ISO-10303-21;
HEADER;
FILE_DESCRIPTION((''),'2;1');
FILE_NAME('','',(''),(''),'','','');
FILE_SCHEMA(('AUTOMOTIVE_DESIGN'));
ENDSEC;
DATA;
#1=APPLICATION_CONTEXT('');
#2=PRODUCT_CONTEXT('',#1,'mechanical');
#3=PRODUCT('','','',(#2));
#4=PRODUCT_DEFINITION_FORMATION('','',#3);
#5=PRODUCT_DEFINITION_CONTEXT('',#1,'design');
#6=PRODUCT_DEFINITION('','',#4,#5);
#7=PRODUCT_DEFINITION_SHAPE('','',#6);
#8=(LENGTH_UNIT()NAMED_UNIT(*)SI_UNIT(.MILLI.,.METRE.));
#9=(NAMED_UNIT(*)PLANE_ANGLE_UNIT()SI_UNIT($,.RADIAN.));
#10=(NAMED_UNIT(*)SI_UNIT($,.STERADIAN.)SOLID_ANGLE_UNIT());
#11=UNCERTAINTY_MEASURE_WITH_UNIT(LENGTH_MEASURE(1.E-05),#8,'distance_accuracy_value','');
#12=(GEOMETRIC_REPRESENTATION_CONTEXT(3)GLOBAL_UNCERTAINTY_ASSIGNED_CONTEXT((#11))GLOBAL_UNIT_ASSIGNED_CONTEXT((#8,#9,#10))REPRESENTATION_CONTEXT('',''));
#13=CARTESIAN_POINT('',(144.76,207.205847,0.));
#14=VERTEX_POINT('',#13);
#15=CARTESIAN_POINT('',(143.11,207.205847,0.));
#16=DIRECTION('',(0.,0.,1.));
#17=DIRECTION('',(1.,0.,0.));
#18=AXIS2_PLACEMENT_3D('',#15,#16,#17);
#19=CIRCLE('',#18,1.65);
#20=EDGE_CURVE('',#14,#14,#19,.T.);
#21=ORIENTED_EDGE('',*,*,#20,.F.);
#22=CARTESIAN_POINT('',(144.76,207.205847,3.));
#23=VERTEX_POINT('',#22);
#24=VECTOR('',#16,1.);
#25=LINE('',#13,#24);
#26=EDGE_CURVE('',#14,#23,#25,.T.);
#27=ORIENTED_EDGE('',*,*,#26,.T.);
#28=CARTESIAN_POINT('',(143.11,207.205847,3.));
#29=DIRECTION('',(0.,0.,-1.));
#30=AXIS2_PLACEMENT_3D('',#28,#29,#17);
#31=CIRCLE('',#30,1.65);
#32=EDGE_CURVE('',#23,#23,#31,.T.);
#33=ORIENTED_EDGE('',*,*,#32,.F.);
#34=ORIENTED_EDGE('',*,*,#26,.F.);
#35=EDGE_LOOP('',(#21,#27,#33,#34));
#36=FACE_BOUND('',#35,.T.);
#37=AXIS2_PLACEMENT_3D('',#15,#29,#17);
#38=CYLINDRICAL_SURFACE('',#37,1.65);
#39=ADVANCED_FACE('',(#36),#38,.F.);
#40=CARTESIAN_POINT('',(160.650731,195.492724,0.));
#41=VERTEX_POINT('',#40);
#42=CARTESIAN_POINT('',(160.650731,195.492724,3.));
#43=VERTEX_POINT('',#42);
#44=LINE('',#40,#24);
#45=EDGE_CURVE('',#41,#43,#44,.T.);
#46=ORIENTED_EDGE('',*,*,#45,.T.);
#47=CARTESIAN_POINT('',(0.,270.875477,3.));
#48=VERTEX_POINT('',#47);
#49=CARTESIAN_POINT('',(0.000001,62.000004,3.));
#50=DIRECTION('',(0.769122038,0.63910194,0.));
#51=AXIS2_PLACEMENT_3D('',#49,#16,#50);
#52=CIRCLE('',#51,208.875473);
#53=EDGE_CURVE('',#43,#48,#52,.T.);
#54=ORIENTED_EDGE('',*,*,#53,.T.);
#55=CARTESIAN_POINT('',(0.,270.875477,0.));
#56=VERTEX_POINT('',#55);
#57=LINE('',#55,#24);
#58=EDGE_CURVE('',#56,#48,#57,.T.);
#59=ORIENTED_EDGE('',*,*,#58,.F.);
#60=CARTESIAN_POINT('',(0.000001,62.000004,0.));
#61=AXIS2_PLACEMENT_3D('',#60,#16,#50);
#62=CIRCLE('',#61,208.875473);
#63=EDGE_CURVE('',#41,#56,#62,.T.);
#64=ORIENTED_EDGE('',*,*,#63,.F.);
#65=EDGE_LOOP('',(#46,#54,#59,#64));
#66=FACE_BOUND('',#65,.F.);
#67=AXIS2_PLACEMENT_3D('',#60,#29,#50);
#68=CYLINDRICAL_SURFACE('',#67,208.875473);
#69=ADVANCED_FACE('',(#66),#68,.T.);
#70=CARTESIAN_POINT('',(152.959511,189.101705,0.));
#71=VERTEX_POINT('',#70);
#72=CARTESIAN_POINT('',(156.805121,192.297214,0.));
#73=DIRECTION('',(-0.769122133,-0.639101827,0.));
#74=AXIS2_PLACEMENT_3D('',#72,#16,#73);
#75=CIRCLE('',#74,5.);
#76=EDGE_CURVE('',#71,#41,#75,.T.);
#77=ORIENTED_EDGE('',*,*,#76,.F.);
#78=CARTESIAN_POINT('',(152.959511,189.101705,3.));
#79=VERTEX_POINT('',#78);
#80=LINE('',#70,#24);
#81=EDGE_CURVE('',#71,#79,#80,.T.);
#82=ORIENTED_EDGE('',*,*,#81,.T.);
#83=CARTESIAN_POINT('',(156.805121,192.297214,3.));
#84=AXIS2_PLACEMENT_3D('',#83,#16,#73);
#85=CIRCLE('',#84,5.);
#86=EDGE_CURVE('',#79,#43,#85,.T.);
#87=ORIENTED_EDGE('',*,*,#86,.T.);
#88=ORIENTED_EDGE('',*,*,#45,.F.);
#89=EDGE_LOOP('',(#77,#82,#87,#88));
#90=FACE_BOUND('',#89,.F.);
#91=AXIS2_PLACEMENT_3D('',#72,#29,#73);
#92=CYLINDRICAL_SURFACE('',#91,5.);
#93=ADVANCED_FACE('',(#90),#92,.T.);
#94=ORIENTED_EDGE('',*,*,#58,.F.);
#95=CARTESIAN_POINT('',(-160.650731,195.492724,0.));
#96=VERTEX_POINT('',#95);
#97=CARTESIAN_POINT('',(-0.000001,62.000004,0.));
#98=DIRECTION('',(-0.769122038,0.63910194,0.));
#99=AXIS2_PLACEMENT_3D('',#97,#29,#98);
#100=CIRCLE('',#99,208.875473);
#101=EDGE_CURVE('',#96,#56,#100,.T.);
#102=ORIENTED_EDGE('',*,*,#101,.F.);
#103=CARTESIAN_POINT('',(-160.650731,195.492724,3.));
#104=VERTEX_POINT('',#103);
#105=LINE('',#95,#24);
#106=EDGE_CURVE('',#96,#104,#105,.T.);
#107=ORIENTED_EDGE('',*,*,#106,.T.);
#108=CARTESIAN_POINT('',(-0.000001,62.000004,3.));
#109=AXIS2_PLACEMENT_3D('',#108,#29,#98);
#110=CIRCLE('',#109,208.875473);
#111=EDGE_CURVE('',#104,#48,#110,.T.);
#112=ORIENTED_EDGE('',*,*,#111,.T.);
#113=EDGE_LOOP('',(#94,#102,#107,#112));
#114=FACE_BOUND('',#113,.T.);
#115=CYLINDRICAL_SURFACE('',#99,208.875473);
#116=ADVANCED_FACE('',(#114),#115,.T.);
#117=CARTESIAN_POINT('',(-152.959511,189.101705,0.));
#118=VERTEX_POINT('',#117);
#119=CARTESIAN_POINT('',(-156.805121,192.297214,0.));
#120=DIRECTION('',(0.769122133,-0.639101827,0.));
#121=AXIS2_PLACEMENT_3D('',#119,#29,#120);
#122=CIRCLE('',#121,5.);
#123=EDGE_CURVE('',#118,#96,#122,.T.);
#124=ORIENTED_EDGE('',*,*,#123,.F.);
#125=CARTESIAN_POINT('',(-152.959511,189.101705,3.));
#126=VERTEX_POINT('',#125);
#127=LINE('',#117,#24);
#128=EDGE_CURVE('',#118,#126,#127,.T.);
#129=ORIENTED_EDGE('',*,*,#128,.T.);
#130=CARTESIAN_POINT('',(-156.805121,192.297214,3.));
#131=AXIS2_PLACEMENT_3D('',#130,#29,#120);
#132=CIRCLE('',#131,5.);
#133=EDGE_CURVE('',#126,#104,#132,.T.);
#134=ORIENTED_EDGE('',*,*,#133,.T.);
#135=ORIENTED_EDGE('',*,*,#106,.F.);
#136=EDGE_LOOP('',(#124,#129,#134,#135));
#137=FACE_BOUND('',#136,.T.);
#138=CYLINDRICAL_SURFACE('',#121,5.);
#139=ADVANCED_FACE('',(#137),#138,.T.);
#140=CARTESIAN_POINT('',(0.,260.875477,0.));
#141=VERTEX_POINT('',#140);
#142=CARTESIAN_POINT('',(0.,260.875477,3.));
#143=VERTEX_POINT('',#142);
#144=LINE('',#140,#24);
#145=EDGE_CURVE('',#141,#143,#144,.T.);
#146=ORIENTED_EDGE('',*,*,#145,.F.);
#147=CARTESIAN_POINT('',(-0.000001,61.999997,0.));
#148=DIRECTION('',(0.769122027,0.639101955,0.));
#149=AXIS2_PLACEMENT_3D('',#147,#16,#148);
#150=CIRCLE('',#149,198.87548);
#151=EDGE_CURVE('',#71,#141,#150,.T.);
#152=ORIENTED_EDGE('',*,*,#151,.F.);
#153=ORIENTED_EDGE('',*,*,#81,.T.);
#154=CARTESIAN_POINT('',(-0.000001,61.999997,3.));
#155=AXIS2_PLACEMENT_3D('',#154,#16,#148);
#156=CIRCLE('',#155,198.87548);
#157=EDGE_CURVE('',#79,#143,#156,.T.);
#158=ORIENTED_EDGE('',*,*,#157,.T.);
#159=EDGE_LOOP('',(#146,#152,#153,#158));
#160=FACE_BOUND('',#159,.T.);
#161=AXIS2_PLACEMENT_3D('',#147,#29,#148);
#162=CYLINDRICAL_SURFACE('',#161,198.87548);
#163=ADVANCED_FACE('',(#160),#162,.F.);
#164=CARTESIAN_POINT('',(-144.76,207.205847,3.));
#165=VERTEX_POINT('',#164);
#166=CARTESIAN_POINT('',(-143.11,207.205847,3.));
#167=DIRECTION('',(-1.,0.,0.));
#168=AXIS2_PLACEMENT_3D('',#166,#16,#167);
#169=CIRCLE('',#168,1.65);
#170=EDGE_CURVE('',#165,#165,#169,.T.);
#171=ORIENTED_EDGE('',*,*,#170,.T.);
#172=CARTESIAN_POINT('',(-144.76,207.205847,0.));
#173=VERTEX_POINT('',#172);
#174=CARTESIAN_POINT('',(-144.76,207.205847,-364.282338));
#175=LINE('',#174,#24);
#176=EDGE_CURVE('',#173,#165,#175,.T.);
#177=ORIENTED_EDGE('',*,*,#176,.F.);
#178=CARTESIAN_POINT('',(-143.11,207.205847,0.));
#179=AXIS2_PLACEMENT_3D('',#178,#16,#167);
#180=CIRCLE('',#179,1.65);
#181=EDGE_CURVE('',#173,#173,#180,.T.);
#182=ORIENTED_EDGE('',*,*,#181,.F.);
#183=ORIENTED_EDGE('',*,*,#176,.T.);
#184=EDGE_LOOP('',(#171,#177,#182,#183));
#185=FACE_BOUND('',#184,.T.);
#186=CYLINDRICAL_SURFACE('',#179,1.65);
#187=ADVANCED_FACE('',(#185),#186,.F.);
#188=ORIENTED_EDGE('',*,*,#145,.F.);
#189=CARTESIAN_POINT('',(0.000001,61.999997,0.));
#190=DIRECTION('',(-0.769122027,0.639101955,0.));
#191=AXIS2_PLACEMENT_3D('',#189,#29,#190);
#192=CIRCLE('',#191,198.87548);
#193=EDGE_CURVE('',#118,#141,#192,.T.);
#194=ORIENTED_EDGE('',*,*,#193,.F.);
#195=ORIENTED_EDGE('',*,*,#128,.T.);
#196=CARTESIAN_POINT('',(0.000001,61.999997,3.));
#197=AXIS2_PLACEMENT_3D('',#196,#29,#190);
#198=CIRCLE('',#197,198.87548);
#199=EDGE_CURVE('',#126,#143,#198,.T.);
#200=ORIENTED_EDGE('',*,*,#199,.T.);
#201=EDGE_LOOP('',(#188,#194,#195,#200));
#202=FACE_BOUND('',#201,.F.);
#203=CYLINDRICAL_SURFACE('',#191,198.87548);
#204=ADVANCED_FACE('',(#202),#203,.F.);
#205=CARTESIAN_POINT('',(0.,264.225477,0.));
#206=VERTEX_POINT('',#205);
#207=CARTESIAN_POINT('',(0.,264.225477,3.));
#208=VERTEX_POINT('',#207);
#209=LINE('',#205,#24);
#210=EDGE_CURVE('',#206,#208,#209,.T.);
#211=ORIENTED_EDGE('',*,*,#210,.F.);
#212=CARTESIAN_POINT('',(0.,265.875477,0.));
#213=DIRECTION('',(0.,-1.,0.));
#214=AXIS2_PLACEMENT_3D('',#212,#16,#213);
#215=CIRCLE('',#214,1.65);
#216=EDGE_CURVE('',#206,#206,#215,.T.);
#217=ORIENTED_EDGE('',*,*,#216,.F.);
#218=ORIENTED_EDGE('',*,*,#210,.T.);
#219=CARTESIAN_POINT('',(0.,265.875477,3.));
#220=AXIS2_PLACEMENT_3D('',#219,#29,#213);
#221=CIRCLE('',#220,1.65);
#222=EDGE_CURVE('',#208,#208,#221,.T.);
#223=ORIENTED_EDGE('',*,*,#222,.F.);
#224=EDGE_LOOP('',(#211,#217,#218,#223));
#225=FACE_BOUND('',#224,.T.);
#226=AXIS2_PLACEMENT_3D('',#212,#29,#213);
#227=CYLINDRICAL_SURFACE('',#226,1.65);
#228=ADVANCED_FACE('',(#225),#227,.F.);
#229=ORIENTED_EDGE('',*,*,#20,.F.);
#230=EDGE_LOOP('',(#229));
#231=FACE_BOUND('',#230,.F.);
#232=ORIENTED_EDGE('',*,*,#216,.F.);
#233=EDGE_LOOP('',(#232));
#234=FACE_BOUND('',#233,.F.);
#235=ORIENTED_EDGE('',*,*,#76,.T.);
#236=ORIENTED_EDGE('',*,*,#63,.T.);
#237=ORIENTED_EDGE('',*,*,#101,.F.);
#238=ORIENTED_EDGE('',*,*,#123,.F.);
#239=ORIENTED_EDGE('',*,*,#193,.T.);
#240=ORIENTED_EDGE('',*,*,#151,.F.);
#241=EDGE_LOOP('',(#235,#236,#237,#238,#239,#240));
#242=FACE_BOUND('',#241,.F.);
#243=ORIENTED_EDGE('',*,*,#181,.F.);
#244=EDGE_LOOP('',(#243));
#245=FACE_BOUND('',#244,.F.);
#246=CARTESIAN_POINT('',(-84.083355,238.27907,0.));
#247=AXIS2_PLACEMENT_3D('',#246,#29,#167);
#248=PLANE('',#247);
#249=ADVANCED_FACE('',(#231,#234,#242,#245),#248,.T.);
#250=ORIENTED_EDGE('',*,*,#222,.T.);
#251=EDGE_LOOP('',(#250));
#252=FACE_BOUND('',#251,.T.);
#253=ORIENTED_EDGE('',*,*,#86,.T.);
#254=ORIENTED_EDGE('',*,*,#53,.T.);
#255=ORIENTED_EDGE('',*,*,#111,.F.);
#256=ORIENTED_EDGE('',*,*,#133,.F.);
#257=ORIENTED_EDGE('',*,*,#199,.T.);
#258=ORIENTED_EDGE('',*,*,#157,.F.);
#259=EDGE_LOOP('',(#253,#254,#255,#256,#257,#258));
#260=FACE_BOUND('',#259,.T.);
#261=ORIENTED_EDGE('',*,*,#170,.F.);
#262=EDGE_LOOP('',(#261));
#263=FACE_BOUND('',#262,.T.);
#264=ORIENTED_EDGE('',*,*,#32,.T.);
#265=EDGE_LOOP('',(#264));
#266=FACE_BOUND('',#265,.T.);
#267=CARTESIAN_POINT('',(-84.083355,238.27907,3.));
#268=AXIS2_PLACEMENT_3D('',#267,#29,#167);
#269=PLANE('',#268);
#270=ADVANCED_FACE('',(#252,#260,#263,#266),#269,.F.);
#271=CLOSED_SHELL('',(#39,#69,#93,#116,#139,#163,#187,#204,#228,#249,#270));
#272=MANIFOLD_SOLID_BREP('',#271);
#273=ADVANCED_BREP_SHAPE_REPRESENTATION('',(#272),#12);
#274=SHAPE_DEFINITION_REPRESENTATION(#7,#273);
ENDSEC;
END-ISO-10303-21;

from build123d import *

# Parameters (mm, degrees)
PAD014_DEPTH                        = 3
SKETCH055_R                         = 1.65
POCKET019_DEPTH                     = 364.282338
POCKET019_DEPTH_BACK                = 367.282338
BODY001003005003003_PLACEMENT_ANGLE = 60
CLONE021_PLACEMENT_ANGLE            = 60


with BuildPart() as part:
    # Sketch052 → Pad014 (new body)
    with BuildSketch(Plane.XY):
        with BuildLine():
            ThreePointArc((152.959511, 127.101705), (84.480895, 180.040089), (0, 198.875477))
            Line((0, 198.875477), (0, 208.875477))
            ThreePointArc((160.650731, 133.492724), (88.728824, 189.092995), (0, 208.875477))
            ThreePointArc((152.959511, 127.101705), (160.000631, 126.451604), (160.650731, 133.492724))
        make_face()
    pad014 = extrude(amount=PAD014_DEPTH)

    # Sketch055 → Pocket019 (cut, two sides)
    with BuildSketch(Plane.XY) as pocket019_sk:
        with Locations((143.11, 145.205847)):
            Circle(SKETCH055_R)
        with BuildLine():
            Line((0, 202.225477), (0, 205.525477))
            ThreePointArc((0, 202.225477), (1.65, 203.875477), (0, 205.525477))
        make_face()
    pocket019 = extrude(amount=-POCKET019_DEPTH, mode=Mode.SUBTRACT) + extrude(pocket019_sk.sketch, amount=POCKET019_DEPTH_BACK, mode=Mode.SUBTRACT)

    # Mirrored019: Pad014, Pocket019 across Sketch052 V_Axis
    add(pad014.mirror(Plane(origin=(0, 0, 0), x_dir=(0, 0, 1), z_dir=(1, 0, 0))))
    add(pocket019.mirror(Plane(origin=(0, 0, 0), x_dir=(0, 0, 1), z_dir=(1, 0, 0))), mode=Mode.SUBTRACT)


with BuildPart() as part_1:
    # Body001003005003003 placement: moved
    add(part.part.rotate(Axis((0, 0, 0), (0, 0, 1)), BODY001003005003003_PLACEMENT_ANGLE))


with BuildPart() as part_2:
    # Clone021 placement: moved
    add(part_1.part.moved(Location((0, 62, 0))).rotate(Axis((0, 62, 0), (0, 0, -1)), CLONE021_PLACEMENT_ANGLE))


solid = part_2.part
